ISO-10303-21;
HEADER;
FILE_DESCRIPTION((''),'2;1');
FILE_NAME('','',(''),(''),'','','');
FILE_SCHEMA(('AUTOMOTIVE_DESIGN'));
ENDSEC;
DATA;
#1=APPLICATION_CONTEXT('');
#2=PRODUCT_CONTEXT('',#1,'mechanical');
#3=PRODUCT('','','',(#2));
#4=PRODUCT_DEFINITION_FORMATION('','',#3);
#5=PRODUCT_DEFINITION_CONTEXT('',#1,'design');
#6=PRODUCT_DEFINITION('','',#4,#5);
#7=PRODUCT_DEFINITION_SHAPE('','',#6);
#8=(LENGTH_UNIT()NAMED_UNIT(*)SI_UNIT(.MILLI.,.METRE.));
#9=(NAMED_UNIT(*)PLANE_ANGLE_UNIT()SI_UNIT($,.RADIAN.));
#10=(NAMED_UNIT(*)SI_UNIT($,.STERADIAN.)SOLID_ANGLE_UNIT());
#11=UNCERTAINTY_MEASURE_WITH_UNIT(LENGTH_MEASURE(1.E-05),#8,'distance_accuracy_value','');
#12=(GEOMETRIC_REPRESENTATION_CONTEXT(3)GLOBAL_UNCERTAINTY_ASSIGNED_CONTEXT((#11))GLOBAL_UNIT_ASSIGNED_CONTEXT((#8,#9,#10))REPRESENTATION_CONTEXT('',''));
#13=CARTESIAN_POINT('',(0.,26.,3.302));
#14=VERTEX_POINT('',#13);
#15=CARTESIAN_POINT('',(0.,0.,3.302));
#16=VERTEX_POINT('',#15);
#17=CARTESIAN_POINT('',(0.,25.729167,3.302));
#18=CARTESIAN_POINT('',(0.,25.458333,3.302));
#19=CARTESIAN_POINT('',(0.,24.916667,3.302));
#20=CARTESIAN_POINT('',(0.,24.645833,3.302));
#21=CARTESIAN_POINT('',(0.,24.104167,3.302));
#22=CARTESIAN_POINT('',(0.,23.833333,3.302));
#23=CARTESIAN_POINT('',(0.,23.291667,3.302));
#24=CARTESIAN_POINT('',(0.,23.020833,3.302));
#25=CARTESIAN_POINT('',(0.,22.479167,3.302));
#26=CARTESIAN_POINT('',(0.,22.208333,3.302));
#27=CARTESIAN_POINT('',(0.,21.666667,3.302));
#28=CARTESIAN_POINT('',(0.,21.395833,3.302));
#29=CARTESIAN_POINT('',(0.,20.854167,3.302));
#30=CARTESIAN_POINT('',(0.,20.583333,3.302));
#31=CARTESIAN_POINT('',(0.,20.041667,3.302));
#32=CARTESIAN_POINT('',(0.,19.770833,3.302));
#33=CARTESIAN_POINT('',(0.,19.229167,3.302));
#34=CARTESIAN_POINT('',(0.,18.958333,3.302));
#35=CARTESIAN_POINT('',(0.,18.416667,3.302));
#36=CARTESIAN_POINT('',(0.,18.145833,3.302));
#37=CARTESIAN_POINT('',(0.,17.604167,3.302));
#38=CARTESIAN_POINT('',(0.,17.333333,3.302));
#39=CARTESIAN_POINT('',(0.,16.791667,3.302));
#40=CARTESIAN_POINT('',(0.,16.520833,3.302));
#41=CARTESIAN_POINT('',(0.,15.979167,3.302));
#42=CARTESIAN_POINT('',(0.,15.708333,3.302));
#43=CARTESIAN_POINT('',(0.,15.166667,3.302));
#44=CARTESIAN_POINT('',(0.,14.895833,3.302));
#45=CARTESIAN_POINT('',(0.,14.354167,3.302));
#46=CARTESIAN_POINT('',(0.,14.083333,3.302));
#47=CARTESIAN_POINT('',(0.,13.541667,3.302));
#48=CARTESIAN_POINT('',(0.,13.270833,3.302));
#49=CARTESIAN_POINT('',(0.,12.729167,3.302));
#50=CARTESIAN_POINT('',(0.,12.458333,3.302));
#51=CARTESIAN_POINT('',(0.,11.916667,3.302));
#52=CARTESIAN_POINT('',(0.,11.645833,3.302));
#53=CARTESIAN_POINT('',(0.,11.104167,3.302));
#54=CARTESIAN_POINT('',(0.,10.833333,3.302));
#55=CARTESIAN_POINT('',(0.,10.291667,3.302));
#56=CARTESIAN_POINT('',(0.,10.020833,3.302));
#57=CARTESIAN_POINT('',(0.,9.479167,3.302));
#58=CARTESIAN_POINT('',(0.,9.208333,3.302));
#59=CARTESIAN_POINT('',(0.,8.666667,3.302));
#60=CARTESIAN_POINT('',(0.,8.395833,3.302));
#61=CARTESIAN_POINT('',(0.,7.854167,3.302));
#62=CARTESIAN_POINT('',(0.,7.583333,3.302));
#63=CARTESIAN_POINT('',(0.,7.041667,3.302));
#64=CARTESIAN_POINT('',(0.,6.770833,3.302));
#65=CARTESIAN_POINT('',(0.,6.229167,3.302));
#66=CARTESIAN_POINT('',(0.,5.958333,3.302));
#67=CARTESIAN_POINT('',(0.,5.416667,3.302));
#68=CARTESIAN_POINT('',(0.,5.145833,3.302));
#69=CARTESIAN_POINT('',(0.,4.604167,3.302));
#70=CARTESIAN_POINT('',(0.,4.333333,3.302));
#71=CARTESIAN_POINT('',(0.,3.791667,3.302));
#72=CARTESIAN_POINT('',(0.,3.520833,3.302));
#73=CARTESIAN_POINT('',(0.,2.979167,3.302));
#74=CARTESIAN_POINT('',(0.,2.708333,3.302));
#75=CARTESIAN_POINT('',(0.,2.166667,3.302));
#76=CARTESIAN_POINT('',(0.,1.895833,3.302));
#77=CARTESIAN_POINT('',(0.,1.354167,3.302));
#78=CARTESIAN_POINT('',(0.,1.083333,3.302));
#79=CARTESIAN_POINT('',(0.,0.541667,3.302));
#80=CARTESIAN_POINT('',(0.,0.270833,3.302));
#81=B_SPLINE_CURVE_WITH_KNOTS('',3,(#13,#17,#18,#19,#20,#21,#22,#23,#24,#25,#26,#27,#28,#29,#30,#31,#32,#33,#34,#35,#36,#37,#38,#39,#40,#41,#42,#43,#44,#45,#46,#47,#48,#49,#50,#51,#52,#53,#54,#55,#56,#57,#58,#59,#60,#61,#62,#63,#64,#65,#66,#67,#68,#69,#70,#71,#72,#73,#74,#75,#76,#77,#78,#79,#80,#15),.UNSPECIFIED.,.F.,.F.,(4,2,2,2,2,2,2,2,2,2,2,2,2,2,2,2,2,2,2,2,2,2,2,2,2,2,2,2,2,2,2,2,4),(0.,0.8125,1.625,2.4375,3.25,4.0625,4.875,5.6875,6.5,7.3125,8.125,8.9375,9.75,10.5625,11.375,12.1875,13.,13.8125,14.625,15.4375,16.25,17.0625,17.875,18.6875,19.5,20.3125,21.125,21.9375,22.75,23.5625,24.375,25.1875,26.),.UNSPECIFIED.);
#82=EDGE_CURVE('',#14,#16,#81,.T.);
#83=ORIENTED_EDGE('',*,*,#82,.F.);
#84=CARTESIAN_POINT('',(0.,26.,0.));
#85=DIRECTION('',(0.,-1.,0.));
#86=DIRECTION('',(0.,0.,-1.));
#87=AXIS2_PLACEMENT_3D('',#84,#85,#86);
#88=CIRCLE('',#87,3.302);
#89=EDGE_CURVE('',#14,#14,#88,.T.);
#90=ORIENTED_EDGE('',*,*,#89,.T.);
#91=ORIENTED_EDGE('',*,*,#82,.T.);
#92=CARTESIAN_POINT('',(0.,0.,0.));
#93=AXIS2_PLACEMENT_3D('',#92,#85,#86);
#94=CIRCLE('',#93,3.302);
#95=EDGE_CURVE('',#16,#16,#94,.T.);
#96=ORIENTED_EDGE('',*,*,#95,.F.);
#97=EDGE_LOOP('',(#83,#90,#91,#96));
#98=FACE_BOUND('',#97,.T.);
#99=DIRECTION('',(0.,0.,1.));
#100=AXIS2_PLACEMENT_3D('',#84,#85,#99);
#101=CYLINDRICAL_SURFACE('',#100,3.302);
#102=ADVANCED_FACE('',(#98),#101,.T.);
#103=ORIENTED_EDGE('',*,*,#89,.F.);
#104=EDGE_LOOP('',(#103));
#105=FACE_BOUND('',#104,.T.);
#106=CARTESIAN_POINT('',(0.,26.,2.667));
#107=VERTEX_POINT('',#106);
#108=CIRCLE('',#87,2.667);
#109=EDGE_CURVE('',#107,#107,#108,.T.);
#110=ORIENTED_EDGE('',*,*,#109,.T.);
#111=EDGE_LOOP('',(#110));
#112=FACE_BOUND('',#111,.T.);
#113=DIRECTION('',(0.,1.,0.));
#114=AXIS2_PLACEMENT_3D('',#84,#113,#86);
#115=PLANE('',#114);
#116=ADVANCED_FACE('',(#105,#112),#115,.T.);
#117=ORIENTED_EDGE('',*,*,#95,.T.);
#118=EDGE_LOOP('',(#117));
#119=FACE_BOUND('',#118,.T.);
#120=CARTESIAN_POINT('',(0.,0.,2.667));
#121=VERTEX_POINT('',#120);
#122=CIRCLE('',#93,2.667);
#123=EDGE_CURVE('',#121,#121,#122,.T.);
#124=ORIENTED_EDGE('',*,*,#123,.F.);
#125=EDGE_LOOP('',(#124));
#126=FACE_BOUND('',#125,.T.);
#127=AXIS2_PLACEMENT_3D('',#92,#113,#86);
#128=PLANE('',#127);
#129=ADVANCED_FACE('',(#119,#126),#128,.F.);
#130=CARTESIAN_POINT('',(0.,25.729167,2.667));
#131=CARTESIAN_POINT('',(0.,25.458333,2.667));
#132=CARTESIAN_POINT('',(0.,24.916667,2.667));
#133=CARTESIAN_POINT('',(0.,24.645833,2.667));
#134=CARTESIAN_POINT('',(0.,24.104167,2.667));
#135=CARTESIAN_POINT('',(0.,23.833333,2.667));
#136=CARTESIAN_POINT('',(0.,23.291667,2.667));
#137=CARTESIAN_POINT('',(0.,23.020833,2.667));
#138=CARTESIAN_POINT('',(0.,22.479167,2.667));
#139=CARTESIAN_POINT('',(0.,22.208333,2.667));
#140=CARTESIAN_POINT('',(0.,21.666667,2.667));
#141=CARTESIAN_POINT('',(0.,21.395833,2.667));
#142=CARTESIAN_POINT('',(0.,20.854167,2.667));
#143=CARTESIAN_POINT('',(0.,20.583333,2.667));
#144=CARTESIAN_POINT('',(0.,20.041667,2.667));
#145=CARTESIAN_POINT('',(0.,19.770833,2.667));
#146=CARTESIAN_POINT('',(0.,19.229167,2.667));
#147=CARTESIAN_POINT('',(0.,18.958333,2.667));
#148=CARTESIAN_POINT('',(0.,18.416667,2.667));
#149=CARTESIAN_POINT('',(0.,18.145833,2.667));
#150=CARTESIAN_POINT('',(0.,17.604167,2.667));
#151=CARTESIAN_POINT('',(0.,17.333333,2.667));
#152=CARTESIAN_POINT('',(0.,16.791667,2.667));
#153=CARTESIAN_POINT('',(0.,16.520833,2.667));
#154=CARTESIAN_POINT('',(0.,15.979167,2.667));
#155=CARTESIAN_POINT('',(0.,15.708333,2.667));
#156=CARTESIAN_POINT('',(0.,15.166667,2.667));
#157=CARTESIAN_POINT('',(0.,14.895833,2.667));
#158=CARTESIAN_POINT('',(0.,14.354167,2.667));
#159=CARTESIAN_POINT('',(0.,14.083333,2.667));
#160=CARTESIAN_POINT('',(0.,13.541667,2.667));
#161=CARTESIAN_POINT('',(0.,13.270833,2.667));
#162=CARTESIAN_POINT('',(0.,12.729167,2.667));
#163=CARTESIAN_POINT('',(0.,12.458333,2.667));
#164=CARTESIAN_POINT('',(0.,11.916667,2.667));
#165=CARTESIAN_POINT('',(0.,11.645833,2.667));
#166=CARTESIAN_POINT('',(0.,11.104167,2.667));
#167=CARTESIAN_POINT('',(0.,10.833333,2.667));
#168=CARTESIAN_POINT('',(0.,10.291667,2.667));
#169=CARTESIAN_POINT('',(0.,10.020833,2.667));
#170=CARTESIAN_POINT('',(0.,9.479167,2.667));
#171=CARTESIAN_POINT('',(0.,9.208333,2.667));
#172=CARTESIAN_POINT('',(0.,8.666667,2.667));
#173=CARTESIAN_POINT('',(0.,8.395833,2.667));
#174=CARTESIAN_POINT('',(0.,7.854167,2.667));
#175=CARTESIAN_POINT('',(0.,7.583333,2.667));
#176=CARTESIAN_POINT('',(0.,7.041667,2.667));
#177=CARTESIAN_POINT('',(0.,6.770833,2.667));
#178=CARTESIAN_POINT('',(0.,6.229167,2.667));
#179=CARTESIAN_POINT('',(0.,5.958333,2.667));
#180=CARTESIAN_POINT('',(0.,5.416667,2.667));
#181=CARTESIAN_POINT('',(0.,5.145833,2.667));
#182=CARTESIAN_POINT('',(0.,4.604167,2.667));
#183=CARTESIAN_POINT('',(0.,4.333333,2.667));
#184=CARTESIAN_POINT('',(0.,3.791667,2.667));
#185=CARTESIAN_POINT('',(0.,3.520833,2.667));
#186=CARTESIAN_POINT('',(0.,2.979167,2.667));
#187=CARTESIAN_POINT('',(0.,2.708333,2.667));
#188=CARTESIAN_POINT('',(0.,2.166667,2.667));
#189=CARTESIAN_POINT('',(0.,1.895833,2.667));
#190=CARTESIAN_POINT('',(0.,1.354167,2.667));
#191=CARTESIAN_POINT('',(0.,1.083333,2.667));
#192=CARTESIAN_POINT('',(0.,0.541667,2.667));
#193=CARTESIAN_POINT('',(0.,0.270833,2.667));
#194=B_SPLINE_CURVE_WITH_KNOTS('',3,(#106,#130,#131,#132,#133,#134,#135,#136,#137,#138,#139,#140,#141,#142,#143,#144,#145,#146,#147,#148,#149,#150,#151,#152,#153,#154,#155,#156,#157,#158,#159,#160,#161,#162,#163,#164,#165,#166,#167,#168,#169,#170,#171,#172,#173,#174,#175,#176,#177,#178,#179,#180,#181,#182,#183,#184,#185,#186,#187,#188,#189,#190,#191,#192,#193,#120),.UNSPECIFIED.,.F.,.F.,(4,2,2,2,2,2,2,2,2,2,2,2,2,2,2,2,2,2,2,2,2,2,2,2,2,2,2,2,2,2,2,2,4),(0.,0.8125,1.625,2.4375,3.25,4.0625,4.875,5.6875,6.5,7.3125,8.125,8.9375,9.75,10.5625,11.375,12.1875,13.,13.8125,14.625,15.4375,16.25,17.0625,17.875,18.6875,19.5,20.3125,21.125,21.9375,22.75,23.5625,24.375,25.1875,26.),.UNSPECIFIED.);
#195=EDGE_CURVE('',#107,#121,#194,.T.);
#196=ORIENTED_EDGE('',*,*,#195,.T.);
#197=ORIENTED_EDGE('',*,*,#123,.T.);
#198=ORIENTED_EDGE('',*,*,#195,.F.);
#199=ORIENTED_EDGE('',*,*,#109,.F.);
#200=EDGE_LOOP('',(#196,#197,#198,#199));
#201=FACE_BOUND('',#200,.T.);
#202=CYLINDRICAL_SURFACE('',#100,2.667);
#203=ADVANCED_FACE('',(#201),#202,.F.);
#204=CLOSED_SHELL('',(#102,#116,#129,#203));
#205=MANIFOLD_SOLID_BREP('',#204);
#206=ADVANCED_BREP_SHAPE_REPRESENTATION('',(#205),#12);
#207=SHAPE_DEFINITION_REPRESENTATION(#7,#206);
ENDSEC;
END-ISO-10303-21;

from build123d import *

# Parameters (mm, degrees)
SKETCH1_R           = 3.302
SKETCH1_R_2         = 2.667
BOSS_EXTRUDE1_DEPTH = 26


with BuildPart() as part:
    # Sketch1 → Boss-Extrude1 (new body)
    with BuildSketch(Plane(origin=(0, 0, 0), x_dir=(1, 0, 0), z_dir=(0, 1, 0))):
        with Locations(Location((0, 0, 0), (0, 0, 90))):
            Circle(SKETCH1_R)
        with Locations(Location((0, 0, 0), (0, 0, 90))):
            Circle(SKETCH1_R_2, mode=Mode.SUBTRACT)
    extrude(amount=BOSS_EXTRUDE1_DEPTH)


solid = part.part
